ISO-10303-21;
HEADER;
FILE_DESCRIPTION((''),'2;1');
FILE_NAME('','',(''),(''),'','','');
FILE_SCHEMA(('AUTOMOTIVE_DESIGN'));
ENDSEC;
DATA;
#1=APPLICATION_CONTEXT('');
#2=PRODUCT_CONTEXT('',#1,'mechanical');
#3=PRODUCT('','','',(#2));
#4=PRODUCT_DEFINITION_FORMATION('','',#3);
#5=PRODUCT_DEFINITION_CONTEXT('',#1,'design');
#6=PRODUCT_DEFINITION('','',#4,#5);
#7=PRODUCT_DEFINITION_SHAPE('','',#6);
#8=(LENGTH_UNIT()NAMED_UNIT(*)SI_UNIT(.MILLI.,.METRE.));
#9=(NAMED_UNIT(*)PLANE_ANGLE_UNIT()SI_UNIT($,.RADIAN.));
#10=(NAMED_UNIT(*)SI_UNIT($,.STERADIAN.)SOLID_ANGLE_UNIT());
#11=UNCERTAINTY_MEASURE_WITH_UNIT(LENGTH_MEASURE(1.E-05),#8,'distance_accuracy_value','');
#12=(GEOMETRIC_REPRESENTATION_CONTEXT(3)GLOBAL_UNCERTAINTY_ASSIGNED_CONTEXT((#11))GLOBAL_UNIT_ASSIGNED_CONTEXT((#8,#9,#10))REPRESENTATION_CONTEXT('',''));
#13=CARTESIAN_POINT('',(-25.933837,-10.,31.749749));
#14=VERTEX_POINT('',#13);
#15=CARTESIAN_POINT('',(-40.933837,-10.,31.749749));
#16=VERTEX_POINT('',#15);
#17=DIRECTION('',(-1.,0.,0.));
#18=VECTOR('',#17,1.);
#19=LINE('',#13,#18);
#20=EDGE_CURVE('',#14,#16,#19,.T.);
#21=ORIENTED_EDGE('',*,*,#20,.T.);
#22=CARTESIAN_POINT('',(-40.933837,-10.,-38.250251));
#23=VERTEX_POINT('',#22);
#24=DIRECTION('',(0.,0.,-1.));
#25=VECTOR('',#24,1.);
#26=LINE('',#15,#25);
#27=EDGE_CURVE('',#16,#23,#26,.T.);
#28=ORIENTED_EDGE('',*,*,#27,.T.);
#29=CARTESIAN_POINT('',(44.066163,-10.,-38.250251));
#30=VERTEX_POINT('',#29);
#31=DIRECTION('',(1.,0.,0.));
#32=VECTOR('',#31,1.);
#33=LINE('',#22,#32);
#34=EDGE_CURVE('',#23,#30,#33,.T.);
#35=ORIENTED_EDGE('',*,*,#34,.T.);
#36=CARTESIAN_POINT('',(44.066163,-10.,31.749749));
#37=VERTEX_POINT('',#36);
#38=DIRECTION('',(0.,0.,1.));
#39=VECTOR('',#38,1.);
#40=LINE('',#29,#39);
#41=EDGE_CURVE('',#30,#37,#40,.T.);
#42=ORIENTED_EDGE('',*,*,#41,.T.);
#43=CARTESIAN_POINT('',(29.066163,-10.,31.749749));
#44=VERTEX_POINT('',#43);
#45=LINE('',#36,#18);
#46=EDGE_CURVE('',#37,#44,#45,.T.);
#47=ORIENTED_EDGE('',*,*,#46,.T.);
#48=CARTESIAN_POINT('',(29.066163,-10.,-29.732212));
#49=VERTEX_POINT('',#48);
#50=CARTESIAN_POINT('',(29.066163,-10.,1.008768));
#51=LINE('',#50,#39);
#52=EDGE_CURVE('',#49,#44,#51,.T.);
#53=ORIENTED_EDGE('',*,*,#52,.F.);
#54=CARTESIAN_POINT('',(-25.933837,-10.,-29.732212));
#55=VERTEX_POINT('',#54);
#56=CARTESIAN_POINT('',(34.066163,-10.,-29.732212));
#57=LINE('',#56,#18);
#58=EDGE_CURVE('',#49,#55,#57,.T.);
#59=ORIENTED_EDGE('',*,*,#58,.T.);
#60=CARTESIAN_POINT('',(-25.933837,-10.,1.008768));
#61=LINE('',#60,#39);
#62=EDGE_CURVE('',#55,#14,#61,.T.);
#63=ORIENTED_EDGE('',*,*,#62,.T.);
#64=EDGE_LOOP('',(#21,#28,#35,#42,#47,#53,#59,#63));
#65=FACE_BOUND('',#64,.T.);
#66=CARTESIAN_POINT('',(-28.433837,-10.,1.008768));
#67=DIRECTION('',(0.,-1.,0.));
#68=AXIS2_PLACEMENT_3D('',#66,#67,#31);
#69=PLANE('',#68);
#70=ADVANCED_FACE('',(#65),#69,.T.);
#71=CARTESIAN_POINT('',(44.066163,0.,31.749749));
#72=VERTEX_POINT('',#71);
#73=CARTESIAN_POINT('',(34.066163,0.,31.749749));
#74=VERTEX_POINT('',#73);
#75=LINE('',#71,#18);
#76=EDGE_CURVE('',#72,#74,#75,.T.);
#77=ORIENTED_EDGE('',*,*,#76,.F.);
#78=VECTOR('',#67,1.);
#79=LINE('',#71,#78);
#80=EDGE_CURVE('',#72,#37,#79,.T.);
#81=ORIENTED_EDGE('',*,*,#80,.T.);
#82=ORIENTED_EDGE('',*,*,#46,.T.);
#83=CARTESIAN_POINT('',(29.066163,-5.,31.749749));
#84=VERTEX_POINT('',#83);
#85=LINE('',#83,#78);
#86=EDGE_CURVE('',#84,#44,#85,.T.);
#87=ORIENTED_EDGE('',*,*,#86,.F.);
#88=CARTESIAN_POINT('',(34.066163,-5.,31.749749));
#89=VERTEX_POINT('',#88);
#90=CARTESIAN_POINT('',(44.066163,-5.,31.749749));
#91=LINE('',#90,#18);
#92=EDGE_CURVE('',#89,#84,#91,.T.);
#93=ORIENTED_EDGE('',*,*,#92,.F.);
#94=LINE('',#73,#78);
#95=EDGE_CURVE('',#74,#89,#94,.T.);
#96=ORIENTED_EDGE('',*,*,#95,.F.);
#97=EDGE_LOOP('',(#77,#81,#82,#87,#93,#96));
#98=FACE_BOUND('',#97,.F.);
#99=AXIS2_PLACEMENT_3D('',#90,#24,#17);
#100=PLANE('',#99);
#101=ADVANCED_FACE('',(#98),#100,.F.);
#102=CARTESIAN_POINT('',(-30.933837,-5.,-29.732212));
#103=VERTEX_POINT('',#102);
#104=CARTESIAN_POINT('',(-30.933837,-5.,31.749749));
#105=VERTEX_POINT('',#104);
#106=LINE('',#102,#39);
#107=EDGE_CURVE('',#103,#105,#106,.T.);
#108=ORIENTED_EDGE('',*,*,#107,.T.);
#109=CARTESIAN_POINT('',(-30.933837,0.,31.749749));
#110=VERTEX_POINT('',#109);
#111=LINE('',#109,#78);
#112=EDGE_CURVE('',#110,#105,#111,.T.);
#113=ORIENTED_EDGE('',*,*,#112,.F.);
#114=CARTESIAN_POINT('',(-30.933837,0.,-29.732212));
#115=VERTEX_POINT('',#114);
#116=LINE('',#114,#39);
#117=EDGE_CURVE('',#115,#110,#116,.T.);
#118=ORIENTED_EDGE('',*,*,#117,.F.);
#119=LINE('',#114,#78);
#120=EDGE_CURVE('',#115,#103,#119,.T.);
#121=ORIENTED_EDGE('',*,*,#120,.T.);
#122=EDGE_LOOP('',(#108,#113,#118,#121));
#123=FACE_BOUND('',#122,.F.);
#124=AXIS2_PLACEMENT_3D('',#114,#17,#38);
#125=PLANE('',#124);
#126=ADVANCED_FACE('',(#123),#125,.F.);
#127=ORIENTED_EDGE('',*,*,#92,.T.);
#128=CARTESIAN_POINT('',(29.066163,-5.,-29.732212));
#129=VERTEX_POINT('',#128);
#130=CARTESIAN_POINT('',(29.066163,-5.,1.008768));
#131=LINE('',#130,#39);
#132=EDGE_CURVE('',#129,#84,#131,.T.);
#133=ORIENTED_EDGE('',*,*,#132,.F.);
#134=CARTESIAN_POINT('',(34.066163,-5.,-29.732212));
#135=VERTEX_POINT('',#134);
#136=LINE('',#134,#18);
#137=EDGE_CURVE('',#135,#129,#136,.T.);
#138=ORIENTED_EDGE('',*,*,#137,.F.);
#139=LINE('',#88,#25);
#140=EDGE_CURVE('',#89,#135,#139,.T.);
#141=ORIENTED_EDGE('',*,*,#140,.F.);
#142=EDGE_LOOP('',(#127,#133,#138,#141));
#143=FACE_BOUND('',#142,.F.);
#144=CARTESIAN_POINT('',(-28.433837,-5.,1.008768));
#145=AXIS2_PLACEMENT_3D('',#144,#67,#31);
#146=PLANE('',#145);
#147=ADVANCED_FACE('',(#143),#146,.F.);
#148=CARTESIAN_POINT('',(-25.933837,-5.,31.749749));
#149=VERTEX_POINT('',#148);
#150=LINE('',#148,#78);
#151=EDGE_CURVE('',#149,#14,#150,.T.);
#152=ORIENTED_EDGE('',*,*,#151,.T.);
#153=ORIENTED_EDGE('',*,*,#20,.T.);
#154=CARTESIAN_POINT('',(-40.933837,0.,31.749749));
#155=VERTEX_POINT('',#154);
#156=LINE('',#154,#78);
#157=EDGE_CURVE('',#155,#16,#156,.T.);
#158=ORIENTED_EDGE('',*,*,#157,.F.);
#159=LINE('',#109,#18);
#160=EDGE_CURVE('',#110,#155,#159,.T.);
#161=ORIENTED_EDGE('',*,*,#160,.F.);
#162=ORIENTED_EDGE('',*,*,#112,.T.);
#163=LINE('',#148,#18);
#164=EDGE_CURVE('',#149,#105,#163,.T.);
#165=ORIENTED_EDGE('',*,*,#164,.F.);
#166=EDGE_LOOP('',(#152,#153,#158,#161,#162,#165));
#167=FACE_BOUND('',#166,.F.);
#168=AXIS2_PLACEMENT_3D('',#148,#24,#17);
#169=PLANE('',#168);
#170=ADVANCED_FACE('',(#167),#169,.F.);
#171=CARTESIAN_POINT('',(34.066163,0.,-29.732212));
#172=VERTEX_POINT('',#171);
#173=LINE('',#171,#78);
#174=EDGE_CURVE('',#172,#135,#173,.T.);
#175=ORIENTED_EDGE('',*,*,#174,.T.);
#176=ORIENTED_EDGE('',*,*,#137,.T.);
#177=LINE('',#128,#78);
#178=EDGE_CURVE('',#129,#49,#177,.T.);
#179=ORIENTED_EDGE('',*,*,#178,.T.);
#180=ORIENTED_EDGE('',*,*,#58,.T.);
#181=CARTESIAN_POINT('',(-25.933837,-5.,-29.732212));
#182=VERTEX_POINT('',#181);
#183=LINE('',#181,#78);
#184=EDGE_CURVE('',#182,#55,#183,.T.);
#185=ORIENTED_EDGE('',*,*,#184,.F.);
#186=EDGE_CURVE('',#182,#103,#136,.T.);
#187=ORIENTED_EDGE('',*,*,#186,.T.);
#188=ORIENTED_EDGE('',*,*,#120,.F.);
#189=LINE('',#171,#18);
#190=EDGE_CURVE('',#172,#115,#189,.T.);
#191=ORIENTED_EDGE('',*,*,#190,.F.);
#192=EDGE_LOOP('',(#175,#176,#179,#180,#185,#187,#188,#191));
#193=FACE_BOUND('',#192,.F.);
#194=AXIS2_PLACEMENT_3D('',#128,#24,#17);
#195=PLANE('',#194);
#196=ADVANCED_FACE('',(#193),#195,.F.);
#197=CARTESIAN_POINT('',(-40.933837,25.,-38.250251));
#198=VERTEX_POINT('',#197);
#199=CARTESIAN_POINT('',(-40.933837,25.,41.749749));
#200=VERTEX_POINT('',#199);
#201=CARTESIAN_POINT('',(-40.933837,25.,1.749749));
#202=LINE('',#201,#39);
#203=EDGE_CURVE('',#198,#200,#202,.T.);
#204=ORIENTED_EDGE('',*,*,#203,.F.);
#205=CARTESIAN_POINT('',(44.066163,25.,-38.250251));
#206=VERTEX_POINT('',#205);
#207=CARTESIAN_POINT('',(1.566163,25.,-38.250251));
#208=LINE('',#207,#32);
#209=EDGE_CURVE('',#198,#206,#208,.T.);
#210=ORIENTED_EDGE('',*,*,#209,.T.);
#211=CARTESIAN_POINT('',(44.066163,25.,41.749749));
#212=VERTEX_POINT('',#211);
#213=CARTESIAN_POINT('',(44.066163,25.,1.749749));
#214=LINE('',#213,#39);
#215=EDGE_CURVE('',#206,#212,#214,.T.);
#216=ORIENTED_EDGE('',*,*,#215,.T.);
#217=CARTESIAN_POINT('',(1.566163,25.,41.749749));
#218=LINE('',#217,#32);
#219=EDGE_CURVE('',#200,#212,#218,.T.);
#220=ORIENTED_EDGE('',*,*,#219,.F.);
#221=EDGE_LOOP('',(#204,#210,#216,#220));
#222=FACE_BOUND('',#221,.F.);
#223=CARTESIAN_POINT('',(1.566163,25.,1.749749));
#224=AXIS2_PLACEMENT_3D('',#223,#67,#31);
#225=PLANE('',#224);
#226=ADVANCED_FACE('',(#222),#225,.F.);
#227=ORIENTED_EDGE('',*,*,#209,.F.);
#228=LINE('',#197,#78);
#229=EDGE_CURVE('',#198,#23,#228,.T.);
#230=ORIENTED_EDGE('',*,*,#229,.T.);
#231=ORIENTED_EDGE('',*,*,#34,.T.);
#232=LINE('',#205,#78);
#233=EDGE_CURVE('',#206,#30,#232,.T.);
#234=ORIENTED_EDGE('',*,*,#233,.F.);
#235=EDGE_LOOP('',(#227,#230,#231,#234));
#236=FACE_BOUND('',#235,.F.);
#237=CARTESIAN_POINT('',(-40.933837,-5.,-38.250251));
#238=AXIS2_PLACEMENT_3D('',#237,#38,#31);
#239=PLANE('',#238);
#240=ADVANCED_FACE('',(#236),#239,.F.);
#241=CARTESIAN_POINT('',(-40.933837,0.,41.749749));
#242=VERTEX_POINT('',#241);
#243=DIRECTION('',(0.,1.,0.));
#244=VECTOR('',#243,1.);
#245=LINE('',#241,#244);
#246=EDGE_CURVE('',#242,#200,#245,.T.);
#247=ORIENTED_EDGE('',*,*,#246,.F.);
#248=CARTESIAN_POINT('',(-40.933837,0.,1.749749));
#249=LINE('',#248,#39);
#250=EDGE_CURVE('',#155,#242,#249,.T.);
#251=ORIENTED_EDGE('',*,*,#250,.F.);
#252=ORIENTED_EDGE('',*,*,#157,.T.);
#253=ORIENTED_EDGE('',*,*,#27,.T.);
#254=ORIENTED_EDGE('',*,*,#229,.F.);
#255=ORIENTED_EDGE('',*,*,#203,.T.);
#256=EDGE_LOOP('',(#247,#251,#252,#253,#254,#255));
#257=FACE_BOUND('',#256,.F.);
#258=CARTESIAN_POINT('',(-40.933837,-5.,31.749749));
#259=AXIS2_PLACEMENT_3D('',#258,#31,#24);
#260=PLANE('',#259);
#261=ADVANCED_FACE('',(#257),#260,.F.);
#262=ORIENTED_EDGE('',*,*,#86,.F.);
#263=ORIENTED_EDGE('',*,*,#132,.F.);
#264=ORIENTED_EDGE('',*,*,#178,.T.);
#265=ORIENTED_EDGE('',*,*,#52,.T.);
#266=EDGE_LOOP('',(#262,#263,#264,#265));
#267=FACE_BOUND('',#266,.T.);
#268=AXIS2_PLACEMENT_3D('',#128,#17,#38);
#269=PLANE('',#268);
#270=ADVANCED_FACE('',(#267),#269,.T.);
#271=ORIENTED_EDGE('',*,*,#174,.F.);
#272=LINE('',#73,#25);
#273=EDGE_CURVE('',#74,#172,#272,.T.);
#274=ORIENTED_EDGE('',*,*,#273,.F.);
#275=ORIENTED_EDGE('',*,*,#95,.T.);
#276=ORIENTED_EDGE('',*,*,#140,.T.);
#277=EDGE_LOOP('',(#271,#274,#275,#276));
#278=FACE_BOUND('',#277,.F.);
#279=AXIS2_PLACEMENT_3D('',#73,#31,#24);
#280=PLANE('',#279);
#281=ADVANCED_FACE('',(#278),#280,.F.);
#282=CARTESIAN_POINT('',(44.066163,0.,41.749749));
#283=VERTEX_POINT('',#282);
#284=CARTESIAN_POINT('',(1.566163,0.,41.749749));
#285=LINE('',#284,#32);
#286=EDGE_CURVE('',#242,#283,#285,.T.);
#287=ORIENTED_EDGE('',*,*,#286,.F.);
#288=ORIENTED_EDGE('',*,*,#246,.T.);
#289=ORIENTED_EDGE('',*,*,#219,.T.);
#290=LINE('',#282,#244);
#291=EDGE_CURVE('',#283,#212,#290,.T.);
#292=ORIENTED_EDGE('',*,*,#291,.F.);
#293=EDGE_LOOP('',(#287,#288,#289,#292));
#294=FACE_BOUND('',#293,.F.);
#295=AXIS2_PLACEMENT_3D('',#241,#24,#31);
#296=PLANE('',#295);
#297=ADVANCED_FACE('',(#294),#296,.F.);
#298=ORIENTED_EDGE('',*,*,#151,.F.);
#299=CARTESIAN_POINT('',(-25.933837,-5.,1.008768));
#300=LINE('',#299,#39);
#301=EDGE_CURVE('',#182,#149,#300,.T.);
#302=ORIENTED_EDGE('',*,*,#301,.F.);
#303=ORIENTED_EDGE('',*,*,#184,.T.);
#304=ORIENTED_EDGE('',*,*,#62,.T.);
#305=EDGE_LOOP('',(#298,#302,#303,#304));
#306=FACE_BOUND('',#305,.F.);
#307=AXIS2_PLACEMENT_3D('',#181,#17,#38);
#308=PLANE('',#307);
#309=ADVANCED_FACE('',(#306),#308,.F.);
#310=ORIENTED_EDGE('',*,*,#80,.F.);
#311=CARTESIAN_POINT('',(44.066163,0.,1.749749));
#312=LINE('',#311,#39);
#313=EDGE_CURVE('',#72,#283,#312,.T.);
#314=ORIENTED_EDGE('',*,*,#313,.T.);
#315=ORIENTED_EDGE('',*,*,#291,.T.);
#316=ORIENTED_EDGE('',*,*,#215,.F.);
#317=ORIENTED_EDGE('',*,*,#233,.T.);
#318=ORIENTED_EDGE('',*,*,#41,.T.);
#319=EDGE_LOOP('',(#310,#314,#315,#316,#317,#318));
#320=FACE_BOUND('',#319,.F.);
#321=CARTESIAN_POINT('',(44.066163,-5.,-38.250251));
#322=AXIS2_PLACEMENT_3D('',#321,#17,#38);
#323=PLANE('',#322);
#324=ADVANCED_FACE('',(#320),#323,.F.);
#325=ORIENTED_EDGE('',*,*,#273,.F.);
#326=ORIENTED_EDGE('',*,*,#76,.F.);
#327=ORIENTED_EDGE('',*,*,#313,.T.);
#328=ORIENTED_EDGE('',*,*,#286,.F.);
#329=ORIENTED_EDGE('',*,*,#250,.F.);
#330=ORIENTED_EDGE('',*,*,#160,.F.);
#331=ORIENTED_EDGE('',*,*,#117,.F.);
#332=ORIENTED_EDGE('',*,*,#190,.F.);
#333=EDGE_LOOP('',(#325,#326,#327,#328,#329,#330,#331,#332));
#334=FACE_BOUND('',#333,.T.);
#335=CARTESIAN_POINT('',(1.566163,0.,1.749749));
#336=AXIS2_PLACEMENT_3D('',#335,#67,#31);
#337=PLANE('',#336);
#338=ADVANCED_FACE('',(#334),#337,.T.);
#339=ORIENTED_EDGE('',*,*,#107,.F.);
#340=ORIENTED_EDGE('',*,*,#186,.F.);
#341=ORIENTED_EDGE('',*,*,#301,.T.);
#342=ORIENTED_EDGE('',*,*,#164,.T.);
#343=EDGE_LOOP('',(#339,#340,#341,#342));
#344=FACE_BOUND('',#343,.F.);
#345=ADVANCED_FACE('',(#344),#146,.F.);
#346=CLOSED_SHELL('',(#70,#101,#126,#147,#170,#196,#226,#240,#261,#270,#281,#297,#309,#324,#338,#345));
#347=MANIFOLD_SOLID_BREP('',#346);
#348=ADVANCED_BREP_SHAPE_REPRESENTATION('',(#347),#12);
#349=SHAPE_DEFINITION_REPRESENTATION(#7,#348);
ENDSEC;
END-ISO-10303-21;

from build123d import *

# Parameters (mm, degrees)
F0_W     = 85
F0_H     = 80
F2_DEPTH = 25
F3_DEPTH = 5
F4_W     = 5
F4_H     = 61.4819614498
F5_DEPTH = 5


with BuildPart() as f2:
    # F0 (on Front) → F2 (new body)
    with BuildSketch(Plane.XZ):
        with Locations((1.5661627076, 1.7497490255)):
            Rectangle(F0_W, F0_H)
    extrude(amount=-F2_DEPTH)

    # F1 (on Front) → F3 (join)
    with BuildSketch(Plane.XZ):
        Polygon((-30.9338372924, -29.7322124243), (-30.9338372924, 31.7497490255), (-40.9338372924, 31.7497490255), (-40.9338372924, -38.2502509745), (44.0661627076, -38.2502509745), (44.0661627076, 31.7497490255), (34.0661627076, 31.7497490255), (34.0661627076, -29.7322124243), align=None)
    extrude(amount=F3_DEPTH)

    # F4 (on face) → F5 (join)
    with BuildSketch(Plane.XZ.offset(5)):
        with Locations((-28.4338372924, 1.0087683006)):
            Rectangle(F4_W, F4_H)
        Polygon((-30.9338372924, 31.7497490255), (-40.9338372924, 31.7497490255), (-40.9338372924, -38.2502509745), (44.0661627076, -38.2502509745), (44.0661627076, 31.7497490255), (34.0661627076, 31.7497490255), (34.0661627076, -29.7322124243), (29.0661627076, -29.7322124243), (-25.9338372924, -29.7322124243), (-30.9338372924, -29.7322124243), align=None)
        with Locations((31.5661627076, 1.0087683006)):
            Rectangle(F4_W, F4_H)
    extrude(amount=F5_DEPTH)


solid = f2.part
